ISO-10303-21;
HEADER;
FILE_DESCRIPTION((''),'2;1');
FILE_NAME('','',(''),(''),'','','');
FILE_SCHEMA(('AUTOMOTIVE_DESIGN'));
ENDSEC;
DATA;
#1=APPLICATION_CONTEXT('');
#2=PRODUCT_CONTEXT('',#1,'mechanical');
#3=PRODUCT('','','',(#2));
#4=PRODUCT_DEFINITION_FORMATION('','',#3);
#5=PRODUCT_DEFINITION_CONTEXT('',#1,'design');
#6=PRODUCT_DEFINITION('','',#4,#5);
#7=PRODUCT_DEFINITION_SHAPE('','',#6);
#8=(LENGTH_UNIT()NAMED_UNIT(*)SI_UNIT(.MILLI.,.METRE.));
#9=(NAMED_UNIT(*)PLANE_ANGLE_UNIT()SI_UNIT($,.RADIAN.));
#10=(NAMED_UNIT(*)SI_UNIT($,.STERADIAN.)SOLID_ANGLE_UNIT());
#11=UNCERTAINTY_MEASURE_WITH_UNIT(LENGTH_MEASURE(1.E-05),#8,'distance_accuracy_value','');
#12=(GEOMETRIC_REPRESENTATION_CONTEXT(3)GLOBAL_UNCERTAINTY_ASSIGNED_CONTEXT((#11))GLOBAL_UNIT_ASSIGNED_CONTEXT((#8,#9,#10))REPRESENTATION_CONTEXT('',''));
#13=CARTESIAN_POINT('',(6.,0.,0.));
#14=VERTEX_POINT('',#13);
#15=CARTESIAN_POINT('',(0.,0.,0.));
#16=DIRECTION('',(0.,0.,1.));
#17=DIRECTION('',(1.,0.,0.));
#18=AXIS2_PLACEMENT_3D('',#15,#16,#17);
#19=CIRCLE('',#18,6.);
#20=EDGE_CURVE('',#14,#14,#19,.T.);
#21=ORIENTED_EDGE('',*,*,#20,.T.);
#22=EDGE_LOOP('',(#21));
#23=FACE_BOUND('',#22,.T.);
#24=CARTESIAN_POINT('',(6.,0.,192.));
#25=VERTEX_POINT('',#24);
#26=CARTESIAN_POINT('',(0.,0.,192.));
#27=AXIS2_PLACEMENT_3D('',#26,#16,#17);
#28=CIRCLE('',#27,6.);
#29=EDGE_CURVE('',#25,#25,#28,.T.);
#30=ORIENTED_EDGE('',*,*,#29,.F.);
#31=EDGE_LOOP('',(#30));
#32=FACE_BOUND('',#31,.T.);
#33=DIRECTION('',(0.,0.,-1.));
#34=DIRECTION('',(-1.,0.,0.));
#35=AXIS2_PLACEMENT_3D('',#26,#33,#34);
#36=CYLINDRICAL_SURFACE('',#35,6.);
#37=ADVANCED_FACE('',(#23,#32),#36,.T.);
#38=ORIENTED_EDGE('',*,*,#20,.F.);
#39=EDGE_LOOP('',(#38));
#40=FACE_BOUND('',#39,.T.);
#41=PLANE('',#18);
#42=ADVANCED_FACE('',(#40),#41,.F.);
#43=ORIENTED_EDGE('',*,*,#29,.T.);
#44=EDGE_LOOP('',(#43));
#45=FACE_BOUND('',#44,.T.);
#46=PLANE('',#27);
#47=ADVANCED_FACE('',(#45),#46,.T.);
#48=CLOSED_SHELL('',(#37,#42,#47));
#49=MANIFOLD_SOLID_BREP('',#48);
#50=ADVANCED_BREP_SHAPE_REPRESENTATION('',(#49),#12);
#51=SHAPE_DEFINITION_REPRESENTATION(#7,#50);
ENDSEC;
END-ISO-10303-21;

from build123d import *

# Parameters (mm, degrees)
IZIM1_R                     = 6
Y_KSEKLIK_EKSTR_ZYON1_DEPTH = 192


with BuildPart() as part:
    # Çizim1 → Yükseklik-Ekstrüzyon1 (new body)
    with BuildSketch(Plane.XY):
        Circle(IZIM1_R)
    extrude(amount=Y_KSEKLIK_EKSTR_ZYON1_DEPTH)


solid = part.part
